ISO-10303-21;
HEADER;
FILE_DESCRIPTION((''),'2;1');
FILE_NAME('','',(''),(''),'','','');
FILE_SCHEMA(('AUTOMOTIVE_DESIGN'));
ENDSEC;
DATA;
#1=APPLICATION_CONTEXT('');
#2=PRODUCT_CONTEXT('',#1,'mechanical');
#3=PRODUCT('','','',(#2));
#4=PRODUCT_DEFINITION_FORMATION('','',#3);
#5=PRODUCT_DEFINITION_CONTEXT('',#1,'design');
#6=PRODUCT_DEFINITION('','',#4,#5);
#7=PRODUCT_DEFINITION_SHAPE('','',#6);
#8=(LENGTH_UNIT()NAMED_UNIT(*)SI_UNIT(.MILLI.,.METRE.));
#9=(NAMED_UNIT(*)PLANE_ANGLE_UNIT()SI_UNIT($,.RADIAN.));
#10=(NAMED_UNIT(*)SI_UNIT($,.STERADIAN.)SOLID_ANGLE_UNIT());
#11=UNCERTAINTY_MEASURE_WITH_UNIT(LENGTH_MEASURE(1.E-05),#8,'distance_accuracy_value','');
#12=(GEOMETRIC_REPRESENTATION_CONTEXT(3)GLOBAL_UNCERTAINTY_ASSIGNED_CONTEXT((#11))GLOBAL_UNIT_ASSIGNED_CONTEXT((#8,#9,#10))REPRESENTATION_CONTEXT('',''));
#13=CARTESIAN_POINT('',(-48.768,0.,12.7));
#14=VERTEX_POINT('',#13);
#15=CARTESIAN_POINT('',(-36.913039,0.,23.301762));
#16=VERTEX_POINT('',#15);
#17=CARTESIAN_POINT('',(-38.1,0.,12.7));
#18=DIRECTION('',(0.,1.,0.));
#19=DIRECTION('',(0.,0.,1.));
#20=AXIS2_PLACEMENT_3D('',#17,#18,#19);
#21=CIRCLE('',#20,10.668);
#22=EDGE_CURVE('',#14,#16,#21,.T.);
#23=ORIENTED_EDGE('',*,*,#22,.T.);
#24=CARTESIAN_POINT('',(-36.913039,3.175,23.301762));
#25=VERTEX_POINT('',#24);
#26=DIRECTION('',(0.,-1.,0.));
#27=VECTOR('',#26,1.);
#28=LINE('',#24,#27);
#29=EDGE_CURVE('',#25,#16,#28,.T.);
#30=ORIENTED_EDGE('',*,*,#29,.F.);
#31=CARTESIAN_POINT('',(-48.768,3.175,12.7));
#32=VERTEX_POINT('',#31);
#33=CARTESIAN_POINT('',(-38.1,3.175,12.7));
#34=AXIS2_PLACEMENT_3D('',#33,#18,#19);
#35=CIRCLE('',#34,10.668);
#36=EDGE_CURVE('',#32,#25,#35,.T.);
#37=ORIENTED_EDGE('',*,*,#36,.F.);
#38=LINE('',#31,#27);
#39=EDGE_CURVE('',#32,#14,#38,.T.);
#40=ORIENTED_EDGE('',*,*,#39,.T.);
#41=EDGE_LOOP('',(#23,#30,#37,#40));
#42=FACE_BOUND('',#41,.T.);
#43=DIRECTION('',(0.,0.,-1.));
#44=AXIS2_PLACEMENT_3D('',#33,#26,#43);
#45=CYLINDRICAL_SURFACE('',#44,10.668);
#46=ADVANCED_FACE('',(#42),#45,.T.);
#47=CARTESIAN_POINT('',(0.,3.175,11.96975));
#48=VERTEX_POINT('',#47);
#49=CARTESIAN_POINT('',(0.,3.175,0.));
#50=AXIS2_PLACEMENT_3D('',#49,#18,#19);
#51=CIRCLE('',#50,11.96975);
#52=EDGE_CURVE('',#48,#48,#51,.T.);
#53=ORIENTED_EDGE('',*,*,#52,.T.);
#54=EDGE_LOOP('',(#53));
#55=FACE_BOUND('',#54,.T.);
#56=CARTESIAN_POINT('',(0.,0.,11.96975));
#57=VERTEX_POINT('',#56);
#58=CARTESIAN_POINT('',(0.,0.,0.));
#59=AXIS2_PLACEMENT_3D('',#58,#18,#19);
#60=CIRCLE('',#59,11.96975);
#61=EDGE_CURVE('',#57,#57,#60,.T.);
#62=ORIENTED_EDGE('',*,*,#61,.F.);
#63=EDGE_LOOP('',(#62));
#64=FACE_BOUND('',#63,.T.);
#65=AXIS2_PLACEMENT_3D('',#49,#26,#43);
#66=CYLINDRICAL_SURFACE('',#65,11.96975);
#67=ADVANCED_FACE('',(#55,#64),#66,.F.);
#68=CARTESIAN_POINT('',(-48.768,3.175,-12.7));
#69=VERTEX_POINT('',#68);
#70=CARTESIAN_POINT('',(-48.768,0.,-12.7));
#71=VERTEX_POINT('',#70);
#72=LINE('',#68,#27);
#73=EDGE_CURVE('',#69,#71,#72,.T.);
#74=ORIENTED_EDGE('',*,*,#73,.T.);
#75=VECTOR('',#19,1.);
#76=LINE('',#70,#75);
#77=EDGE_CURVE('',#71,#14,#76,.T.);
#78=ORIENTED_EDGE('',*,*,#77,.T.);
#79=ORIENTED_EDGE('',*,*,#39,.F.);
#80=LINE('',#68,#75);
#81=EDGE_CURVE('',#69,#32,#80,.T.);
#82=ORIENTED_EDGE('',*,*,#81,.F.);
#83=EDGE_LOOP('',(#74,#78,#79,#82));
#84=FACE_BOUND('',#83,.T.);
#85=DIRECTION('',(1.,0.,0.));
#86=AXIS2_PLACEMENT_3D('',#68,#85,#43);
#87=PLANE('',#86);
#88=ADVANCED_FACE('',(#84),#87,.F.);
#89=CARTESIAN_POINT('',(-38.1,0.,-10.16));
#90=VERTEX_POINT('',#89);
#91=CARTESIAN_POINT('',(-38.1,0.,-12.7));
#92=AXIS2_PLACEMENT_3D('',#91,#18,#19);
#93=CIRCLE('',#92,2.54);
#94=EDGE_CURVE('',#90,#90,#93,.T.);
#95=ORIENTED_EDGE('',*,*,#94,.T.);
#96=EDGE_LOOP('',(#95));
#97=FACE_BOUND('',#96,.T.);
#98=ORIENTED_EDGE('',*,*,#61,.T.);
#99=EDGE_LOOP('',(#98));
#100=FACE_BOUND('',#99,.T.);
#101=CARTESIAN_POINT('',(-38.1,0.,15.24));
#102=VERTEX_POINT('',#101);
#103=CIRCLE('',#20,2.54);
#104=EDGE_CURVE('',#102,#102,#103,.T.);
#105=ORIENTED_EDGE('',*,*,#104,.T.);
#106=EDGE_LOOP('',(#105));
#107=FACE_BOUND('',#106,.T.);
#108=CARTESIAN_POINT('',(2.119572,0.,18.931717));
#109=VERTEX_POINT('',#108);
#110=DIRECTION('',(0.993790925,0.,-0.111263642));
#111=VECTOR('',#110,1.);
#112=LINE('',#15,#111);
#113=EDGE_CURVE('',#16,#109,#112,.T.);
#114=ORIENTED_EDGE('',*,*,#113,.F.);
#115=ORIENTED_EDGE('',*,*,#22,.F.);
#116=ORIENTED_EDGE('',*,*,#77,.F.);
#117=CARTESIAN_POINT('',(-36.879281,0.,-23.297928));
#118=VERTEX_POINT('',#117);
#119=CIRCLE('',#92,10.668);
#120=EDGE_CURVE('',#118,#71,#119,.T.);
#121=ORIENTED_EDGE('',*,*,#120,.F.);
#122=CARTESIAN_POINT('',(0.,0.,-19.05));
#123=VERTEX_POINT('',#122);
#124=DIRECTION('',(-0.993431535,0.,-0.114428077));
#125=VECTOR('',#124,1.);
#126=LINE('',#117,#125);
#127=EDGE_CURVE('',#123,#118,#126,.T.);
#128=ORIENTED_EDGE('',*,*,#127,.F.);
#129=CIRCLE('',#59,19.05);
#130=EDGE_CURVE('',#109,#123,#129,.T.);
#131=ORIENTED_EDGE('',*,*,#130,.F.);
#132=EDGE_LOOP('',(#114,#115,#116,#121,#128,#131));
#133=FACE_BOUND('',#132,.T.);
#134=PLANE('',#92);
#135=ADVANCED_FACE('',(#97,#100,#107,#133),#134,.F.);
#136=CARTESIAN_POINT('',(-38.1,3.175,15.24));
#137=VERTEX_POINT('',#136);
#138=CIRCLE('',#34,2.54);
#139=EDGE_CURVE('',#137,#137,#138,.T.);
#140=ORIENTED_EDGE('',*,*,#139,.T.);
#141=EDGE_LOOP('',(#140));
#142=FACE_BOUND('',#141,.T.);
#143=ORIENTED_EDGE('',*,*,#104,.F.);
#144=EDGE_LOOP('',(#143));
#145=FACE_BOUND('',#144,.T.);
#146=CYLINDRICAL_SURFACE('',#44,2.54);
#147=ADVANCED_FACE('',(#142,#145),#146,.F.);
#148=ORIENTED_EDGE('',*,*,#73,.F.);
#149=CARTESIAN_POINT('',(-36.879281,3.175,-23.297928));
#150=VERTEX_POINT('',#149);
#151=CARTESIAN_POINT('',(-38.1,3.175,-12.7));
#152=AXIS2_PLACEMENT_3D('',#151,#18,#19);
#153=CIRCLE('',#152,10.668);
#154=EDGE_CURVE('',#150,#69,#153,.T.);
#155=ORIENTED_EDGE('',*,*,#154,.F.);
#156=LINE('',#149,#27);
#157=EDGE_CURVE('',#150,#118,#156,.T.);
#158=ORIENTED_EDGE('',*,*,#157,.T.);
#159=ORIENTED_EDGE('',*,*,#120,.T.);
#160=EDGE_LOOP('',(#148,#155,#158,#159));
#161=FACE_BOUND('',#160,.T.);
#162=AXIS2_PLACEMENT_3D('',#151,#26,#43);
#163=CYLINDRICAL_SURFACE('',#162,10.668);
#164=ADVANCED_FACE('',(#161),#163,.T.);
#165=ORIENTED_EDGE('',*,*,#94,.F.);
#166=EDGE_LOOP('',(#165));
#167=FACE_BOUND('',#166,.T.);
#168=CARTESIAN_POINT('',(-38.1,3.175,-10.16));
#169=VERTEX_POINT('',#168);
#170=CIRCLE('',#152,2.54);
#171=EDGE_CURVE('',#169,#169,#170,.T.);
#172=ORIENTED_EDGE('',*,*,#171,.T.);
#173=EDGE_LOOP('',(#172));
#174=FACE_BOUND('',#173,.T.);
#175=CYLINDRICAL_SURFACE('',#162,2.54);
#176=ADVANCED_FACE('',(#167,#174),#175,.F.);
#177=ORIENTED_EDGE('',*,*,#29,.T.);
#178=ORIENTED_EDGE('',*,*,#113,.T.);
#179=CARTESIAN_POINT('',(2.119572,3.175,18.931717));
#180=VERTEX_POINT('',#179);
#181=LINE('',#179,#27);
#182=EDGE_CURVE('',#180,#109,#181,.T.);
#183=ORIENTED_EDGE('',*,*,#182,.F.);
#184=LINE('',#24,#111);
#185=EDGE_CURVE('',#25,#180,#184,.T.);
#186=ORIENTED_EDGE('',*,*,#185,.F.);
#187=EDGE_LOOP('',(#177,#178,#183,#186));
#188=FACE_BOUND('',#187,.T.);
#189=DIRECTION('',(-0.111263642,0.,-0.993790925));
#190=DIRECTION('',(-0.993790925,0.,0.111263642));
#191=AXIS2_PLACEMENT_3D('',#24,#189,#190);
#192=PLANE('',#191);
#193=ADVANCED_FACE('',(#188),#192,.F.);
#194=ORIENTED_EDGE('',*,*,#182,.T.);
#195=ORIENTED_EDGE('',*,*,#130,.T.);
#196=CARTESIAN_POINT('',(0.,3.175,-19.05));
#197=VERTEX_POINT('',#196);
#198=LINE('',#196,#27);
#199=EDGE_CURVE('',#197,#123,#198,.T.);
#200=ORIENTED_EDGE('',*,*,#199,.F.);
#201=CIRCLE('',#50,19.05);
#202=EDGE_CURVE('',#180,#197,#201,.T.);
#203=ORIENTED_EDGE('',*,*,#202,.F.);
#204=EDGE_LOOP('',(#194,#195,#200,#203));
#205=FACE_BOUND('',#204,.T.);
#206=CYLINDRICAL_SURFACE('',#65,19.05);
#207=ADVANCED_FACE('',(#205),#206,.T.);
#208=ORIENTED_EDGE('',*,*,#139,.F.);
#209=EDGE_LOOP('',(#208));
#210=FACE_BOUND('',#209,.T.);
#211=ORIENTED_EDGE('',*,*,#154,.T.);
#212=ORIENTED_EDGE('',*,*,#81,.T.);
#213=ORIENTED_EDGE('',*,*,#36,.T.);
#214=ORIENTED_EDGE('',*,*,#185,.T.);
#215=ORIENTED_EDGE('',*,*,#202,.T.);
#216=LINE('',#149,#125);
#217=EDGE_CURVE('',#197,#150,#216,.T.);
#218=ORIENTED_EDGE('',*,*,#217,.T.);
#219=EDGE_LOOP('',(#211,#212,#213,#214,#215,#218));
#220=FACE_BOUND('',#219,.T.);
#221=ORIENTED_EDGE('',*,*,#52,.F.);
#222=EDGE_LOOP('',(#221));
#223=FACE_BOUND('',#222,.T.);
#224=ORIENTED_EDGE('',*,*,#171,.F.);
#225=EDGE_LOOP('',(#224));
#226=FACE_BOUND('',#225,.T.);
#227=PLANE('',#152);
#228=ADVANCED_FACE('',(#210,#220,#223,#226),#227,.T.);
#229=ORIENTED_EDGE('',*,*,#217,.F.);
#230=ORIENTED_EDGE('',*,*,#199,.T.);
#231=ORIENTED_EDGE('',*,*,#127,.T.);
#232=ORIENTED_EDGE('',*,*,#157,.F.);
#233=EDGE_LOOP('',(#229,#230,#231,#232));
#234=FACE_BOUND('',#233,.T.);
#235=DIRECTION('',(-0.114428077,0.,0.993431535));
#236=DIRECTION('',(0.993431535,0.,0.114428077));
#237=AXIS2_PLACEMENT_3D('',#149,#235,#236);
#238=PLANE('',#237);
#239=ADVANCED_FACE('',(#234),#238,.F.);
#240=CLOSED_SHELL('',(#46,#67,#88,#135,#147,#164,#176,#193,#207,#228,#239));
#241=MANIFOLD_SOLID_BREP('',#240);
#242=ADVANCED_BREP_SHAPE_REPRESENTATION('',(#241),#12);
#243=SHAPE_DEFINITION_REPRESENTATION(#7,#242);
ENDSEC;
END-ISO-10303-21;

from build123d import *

# Parameters (mm, degrees)
SKETCH1_R           = 11.96975
SKETCH1_R_2         = 2.54
BOSS_EXTRUDE1_DEPTH = 3.175


with BuildPart() as part:
    # Sketch1 → Boss-Extrude1 (new body)
    with BuildSketch(Plane(origin=(0, 0, 0), x_dir=(1, 0, 0), z_dir=(0, 1, 0))):
        with BuildLine():
            Line((-48.768, 12.7), (-48.768, -12.7))
            ThreePointArc((-48.768, -12.7), (-45.211389776, -20.652003487), (-36.913039472, -23.301761585))
            Line((-36.913039472, -23.301761585), (2.119572372, -18.931717116))
            ThreePointArc((2.119572372, -18.931717116), (19.020406292, 1.061435099), (0, 19.05))
            Line((0, 19.05), (-36.87928127, 23.297927617))
            ThreePointArc((-36.87928127, 23.297927617), (-45.198718074, 20.663317506), (-48.768, 12.7))
        make_face()
        with Locations(Location((0, 0, 0), (0, 0, 270))):
            Circle(SKETCH1_R, mode=Mode.SUBTRACT)
        with Locations(Location((-38.1, 12.7, 0), (0, 0, 270))):
            Circle(SKETCH1_R_2, mode=Mode.SUBTRACT)
        with Locations(Location((-38.1, -12.7, 0), (0, 0, 270))):
            Circle(SKETCH1_R_2, mode=Mode.SUBTRACT)
    extrude(amount=BOSS_EXTRUDE1_DEPTH)


solid = part.part
